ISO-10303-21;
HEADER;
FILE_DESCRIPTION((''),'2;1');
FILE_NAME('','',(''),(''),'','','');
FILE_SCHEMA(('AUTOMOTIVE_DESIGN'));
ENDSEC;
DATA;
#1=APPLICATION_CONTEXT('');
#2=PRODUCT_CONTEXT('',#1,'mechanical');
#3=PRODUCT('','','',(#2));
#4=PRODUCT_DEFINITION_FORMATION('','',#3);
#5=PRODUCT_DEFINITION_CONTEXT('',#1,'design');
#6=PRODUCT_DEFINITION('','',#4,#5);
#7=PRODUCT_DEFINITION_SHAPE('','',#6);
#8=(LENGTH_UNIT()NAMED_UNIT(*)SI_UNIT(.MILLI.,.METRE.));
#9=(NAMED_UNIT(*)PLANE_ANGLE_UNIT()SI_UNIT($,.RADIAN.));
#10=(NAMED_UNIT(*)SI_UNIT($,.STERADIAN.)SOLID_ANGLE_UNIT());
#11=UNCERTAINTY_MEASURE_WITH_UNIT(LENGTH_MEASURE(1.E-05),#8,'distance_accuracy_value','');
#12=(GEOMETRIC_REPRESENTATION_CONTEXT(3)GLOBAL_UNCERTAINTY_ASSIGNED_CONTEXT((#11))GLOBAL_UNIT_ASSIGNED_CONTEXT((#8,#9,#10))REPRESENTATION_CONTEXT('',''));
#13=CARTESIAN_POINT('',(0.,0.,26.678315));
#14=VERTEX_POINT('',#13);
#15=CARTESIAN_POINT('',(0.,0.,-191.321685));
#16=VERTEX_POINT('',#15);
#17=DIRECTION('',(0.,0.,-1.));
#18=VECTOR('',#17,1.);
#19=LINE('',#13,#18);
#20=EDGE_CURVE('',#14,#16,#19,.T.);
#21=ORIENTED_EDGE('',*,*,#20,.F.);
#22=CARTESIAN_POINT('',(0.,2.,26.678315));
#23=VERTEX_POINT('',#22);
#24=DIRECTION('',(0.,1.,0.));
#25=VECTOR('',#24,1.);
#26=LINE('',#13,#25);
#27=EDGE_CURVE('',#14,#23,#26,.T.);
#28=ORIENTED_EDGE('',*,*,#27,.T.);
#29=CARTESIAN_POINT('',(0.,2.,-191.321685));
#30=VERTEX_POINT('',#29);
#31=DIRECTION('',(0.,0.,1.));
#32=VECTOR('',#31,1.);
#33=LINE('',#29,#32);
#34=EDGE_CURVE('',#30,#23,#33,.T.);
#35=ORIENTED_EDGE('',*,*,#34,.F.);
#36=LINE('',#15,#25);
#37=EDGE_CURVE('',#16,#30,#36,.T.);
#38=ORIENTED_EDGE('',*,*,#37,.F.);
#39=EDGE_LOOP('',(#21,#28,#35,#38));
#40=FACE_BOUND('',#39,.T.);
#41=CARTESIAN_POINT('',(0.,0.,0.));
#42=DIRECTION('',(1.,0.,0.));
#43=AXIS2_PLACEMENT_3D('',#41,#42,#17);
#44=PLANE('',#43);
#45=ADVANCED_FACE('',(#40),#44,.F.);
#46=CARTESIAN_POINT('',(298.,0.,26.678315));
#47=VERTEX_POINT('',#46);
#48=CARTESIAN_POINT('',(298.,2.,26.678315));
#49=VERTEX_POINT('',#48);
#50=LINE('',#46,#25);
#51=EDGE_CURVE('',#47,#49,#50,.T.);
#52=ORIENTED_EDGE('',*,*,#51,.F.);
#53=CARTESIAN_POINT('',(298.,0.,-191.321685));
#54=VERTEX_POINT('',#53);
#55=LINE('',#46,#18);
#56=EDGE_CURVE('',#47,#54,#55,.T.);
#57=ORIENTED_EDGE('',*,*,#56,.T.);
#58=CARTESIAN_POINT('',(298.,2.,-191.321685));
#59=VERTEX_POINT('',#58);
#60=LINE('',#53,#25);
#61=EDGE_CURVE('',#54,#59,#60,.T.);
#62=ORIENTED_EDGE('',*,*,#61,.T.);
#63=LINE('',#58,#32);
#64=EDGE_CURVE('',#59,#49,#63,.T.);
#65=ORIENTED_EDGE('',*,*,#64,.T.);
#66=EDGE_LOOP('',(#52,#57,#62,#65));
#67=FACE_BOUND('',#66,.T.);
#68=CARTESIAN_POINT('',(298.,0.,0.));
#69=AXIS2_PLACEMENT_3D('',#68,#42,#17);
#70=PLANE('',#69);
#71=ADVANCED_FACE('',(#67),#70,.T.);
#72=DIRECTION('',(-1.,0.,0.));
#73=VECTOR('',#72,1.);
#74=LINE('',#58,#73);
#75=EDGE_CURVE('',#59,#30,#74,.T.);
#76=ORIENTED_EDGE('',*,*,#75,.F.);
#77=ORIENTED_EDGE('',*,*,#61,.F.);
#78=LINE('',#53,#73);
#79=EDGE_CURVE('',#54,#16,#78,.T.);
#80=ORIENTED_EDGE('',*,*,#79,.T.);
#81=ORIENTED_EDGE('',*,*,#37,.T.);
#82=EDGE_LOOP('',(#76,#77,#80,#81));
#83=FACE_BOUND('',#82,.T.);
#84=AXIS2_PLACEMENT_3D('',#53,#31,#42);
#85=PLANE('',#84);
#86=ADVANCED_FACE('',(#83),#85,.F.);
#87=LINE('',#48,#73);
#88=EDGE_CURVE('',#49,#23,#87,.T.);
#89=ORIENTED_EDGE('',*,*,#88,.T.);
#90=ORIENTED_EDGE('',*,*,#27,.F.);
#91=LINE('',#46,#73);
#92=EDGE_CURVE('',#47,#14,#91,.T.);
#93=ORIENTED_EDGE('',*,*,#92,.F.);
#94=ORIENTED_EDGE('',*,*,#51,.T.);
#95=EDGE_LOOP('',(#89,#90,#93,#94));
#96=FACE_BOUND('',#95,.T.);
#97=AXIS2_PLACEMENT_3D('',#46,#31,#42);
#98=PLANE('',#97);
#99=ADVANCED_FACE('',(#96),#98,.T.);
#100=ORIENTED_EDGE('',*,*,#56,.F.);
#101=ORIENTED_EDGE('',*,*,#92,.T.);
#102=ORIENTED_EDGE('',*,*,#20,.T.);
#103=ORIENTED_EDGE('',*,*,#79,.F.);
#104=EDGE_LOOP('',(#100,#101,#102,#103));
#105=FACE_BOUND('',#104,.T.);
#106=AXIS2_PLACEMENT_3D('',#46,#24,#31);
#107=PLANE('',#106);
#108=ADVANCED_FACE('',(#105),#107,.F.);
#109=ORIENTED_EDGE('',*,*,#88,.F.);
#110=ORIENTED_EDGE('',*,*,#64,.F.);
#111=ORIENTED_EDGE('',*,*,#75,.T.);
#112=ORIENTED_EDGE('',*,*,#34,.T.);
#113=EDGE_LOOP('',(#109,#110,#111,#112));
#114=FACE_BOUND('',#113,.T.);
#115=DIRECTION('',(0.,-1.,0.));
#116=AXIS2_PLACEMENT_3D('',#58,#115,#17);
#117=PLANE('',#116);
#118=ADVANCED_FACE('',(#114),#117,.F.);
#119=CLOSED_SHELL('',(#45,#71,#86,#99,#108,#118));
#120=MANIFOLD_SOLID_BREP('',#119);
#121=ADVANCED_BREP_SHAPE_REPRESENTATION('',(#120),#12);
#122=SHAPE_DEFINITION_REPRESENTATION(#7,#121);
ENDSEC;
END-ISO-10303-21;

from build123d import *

# Parameters (mm, degrees)
SKETCH1_W           = 218
SKETCH1_H           = 2
BOSS_EXTRUDE1_DEPTH = 298


with BuildPart() as part:
    # Sketch1 → Boss-Extrude1 (new body)
    with BuildSketch(Plane(origin=(0, 0, 0), x_dir=(0, 0, -1), z_dir=(1, 0, 0))):
        with Locations((82.3216851, 1)):
            Rectangle(SKETCH1_W, SKETCH1_H)
    extrude(amount=BOSS_EXTRUDE1_DEPTH)


solid = part.part
